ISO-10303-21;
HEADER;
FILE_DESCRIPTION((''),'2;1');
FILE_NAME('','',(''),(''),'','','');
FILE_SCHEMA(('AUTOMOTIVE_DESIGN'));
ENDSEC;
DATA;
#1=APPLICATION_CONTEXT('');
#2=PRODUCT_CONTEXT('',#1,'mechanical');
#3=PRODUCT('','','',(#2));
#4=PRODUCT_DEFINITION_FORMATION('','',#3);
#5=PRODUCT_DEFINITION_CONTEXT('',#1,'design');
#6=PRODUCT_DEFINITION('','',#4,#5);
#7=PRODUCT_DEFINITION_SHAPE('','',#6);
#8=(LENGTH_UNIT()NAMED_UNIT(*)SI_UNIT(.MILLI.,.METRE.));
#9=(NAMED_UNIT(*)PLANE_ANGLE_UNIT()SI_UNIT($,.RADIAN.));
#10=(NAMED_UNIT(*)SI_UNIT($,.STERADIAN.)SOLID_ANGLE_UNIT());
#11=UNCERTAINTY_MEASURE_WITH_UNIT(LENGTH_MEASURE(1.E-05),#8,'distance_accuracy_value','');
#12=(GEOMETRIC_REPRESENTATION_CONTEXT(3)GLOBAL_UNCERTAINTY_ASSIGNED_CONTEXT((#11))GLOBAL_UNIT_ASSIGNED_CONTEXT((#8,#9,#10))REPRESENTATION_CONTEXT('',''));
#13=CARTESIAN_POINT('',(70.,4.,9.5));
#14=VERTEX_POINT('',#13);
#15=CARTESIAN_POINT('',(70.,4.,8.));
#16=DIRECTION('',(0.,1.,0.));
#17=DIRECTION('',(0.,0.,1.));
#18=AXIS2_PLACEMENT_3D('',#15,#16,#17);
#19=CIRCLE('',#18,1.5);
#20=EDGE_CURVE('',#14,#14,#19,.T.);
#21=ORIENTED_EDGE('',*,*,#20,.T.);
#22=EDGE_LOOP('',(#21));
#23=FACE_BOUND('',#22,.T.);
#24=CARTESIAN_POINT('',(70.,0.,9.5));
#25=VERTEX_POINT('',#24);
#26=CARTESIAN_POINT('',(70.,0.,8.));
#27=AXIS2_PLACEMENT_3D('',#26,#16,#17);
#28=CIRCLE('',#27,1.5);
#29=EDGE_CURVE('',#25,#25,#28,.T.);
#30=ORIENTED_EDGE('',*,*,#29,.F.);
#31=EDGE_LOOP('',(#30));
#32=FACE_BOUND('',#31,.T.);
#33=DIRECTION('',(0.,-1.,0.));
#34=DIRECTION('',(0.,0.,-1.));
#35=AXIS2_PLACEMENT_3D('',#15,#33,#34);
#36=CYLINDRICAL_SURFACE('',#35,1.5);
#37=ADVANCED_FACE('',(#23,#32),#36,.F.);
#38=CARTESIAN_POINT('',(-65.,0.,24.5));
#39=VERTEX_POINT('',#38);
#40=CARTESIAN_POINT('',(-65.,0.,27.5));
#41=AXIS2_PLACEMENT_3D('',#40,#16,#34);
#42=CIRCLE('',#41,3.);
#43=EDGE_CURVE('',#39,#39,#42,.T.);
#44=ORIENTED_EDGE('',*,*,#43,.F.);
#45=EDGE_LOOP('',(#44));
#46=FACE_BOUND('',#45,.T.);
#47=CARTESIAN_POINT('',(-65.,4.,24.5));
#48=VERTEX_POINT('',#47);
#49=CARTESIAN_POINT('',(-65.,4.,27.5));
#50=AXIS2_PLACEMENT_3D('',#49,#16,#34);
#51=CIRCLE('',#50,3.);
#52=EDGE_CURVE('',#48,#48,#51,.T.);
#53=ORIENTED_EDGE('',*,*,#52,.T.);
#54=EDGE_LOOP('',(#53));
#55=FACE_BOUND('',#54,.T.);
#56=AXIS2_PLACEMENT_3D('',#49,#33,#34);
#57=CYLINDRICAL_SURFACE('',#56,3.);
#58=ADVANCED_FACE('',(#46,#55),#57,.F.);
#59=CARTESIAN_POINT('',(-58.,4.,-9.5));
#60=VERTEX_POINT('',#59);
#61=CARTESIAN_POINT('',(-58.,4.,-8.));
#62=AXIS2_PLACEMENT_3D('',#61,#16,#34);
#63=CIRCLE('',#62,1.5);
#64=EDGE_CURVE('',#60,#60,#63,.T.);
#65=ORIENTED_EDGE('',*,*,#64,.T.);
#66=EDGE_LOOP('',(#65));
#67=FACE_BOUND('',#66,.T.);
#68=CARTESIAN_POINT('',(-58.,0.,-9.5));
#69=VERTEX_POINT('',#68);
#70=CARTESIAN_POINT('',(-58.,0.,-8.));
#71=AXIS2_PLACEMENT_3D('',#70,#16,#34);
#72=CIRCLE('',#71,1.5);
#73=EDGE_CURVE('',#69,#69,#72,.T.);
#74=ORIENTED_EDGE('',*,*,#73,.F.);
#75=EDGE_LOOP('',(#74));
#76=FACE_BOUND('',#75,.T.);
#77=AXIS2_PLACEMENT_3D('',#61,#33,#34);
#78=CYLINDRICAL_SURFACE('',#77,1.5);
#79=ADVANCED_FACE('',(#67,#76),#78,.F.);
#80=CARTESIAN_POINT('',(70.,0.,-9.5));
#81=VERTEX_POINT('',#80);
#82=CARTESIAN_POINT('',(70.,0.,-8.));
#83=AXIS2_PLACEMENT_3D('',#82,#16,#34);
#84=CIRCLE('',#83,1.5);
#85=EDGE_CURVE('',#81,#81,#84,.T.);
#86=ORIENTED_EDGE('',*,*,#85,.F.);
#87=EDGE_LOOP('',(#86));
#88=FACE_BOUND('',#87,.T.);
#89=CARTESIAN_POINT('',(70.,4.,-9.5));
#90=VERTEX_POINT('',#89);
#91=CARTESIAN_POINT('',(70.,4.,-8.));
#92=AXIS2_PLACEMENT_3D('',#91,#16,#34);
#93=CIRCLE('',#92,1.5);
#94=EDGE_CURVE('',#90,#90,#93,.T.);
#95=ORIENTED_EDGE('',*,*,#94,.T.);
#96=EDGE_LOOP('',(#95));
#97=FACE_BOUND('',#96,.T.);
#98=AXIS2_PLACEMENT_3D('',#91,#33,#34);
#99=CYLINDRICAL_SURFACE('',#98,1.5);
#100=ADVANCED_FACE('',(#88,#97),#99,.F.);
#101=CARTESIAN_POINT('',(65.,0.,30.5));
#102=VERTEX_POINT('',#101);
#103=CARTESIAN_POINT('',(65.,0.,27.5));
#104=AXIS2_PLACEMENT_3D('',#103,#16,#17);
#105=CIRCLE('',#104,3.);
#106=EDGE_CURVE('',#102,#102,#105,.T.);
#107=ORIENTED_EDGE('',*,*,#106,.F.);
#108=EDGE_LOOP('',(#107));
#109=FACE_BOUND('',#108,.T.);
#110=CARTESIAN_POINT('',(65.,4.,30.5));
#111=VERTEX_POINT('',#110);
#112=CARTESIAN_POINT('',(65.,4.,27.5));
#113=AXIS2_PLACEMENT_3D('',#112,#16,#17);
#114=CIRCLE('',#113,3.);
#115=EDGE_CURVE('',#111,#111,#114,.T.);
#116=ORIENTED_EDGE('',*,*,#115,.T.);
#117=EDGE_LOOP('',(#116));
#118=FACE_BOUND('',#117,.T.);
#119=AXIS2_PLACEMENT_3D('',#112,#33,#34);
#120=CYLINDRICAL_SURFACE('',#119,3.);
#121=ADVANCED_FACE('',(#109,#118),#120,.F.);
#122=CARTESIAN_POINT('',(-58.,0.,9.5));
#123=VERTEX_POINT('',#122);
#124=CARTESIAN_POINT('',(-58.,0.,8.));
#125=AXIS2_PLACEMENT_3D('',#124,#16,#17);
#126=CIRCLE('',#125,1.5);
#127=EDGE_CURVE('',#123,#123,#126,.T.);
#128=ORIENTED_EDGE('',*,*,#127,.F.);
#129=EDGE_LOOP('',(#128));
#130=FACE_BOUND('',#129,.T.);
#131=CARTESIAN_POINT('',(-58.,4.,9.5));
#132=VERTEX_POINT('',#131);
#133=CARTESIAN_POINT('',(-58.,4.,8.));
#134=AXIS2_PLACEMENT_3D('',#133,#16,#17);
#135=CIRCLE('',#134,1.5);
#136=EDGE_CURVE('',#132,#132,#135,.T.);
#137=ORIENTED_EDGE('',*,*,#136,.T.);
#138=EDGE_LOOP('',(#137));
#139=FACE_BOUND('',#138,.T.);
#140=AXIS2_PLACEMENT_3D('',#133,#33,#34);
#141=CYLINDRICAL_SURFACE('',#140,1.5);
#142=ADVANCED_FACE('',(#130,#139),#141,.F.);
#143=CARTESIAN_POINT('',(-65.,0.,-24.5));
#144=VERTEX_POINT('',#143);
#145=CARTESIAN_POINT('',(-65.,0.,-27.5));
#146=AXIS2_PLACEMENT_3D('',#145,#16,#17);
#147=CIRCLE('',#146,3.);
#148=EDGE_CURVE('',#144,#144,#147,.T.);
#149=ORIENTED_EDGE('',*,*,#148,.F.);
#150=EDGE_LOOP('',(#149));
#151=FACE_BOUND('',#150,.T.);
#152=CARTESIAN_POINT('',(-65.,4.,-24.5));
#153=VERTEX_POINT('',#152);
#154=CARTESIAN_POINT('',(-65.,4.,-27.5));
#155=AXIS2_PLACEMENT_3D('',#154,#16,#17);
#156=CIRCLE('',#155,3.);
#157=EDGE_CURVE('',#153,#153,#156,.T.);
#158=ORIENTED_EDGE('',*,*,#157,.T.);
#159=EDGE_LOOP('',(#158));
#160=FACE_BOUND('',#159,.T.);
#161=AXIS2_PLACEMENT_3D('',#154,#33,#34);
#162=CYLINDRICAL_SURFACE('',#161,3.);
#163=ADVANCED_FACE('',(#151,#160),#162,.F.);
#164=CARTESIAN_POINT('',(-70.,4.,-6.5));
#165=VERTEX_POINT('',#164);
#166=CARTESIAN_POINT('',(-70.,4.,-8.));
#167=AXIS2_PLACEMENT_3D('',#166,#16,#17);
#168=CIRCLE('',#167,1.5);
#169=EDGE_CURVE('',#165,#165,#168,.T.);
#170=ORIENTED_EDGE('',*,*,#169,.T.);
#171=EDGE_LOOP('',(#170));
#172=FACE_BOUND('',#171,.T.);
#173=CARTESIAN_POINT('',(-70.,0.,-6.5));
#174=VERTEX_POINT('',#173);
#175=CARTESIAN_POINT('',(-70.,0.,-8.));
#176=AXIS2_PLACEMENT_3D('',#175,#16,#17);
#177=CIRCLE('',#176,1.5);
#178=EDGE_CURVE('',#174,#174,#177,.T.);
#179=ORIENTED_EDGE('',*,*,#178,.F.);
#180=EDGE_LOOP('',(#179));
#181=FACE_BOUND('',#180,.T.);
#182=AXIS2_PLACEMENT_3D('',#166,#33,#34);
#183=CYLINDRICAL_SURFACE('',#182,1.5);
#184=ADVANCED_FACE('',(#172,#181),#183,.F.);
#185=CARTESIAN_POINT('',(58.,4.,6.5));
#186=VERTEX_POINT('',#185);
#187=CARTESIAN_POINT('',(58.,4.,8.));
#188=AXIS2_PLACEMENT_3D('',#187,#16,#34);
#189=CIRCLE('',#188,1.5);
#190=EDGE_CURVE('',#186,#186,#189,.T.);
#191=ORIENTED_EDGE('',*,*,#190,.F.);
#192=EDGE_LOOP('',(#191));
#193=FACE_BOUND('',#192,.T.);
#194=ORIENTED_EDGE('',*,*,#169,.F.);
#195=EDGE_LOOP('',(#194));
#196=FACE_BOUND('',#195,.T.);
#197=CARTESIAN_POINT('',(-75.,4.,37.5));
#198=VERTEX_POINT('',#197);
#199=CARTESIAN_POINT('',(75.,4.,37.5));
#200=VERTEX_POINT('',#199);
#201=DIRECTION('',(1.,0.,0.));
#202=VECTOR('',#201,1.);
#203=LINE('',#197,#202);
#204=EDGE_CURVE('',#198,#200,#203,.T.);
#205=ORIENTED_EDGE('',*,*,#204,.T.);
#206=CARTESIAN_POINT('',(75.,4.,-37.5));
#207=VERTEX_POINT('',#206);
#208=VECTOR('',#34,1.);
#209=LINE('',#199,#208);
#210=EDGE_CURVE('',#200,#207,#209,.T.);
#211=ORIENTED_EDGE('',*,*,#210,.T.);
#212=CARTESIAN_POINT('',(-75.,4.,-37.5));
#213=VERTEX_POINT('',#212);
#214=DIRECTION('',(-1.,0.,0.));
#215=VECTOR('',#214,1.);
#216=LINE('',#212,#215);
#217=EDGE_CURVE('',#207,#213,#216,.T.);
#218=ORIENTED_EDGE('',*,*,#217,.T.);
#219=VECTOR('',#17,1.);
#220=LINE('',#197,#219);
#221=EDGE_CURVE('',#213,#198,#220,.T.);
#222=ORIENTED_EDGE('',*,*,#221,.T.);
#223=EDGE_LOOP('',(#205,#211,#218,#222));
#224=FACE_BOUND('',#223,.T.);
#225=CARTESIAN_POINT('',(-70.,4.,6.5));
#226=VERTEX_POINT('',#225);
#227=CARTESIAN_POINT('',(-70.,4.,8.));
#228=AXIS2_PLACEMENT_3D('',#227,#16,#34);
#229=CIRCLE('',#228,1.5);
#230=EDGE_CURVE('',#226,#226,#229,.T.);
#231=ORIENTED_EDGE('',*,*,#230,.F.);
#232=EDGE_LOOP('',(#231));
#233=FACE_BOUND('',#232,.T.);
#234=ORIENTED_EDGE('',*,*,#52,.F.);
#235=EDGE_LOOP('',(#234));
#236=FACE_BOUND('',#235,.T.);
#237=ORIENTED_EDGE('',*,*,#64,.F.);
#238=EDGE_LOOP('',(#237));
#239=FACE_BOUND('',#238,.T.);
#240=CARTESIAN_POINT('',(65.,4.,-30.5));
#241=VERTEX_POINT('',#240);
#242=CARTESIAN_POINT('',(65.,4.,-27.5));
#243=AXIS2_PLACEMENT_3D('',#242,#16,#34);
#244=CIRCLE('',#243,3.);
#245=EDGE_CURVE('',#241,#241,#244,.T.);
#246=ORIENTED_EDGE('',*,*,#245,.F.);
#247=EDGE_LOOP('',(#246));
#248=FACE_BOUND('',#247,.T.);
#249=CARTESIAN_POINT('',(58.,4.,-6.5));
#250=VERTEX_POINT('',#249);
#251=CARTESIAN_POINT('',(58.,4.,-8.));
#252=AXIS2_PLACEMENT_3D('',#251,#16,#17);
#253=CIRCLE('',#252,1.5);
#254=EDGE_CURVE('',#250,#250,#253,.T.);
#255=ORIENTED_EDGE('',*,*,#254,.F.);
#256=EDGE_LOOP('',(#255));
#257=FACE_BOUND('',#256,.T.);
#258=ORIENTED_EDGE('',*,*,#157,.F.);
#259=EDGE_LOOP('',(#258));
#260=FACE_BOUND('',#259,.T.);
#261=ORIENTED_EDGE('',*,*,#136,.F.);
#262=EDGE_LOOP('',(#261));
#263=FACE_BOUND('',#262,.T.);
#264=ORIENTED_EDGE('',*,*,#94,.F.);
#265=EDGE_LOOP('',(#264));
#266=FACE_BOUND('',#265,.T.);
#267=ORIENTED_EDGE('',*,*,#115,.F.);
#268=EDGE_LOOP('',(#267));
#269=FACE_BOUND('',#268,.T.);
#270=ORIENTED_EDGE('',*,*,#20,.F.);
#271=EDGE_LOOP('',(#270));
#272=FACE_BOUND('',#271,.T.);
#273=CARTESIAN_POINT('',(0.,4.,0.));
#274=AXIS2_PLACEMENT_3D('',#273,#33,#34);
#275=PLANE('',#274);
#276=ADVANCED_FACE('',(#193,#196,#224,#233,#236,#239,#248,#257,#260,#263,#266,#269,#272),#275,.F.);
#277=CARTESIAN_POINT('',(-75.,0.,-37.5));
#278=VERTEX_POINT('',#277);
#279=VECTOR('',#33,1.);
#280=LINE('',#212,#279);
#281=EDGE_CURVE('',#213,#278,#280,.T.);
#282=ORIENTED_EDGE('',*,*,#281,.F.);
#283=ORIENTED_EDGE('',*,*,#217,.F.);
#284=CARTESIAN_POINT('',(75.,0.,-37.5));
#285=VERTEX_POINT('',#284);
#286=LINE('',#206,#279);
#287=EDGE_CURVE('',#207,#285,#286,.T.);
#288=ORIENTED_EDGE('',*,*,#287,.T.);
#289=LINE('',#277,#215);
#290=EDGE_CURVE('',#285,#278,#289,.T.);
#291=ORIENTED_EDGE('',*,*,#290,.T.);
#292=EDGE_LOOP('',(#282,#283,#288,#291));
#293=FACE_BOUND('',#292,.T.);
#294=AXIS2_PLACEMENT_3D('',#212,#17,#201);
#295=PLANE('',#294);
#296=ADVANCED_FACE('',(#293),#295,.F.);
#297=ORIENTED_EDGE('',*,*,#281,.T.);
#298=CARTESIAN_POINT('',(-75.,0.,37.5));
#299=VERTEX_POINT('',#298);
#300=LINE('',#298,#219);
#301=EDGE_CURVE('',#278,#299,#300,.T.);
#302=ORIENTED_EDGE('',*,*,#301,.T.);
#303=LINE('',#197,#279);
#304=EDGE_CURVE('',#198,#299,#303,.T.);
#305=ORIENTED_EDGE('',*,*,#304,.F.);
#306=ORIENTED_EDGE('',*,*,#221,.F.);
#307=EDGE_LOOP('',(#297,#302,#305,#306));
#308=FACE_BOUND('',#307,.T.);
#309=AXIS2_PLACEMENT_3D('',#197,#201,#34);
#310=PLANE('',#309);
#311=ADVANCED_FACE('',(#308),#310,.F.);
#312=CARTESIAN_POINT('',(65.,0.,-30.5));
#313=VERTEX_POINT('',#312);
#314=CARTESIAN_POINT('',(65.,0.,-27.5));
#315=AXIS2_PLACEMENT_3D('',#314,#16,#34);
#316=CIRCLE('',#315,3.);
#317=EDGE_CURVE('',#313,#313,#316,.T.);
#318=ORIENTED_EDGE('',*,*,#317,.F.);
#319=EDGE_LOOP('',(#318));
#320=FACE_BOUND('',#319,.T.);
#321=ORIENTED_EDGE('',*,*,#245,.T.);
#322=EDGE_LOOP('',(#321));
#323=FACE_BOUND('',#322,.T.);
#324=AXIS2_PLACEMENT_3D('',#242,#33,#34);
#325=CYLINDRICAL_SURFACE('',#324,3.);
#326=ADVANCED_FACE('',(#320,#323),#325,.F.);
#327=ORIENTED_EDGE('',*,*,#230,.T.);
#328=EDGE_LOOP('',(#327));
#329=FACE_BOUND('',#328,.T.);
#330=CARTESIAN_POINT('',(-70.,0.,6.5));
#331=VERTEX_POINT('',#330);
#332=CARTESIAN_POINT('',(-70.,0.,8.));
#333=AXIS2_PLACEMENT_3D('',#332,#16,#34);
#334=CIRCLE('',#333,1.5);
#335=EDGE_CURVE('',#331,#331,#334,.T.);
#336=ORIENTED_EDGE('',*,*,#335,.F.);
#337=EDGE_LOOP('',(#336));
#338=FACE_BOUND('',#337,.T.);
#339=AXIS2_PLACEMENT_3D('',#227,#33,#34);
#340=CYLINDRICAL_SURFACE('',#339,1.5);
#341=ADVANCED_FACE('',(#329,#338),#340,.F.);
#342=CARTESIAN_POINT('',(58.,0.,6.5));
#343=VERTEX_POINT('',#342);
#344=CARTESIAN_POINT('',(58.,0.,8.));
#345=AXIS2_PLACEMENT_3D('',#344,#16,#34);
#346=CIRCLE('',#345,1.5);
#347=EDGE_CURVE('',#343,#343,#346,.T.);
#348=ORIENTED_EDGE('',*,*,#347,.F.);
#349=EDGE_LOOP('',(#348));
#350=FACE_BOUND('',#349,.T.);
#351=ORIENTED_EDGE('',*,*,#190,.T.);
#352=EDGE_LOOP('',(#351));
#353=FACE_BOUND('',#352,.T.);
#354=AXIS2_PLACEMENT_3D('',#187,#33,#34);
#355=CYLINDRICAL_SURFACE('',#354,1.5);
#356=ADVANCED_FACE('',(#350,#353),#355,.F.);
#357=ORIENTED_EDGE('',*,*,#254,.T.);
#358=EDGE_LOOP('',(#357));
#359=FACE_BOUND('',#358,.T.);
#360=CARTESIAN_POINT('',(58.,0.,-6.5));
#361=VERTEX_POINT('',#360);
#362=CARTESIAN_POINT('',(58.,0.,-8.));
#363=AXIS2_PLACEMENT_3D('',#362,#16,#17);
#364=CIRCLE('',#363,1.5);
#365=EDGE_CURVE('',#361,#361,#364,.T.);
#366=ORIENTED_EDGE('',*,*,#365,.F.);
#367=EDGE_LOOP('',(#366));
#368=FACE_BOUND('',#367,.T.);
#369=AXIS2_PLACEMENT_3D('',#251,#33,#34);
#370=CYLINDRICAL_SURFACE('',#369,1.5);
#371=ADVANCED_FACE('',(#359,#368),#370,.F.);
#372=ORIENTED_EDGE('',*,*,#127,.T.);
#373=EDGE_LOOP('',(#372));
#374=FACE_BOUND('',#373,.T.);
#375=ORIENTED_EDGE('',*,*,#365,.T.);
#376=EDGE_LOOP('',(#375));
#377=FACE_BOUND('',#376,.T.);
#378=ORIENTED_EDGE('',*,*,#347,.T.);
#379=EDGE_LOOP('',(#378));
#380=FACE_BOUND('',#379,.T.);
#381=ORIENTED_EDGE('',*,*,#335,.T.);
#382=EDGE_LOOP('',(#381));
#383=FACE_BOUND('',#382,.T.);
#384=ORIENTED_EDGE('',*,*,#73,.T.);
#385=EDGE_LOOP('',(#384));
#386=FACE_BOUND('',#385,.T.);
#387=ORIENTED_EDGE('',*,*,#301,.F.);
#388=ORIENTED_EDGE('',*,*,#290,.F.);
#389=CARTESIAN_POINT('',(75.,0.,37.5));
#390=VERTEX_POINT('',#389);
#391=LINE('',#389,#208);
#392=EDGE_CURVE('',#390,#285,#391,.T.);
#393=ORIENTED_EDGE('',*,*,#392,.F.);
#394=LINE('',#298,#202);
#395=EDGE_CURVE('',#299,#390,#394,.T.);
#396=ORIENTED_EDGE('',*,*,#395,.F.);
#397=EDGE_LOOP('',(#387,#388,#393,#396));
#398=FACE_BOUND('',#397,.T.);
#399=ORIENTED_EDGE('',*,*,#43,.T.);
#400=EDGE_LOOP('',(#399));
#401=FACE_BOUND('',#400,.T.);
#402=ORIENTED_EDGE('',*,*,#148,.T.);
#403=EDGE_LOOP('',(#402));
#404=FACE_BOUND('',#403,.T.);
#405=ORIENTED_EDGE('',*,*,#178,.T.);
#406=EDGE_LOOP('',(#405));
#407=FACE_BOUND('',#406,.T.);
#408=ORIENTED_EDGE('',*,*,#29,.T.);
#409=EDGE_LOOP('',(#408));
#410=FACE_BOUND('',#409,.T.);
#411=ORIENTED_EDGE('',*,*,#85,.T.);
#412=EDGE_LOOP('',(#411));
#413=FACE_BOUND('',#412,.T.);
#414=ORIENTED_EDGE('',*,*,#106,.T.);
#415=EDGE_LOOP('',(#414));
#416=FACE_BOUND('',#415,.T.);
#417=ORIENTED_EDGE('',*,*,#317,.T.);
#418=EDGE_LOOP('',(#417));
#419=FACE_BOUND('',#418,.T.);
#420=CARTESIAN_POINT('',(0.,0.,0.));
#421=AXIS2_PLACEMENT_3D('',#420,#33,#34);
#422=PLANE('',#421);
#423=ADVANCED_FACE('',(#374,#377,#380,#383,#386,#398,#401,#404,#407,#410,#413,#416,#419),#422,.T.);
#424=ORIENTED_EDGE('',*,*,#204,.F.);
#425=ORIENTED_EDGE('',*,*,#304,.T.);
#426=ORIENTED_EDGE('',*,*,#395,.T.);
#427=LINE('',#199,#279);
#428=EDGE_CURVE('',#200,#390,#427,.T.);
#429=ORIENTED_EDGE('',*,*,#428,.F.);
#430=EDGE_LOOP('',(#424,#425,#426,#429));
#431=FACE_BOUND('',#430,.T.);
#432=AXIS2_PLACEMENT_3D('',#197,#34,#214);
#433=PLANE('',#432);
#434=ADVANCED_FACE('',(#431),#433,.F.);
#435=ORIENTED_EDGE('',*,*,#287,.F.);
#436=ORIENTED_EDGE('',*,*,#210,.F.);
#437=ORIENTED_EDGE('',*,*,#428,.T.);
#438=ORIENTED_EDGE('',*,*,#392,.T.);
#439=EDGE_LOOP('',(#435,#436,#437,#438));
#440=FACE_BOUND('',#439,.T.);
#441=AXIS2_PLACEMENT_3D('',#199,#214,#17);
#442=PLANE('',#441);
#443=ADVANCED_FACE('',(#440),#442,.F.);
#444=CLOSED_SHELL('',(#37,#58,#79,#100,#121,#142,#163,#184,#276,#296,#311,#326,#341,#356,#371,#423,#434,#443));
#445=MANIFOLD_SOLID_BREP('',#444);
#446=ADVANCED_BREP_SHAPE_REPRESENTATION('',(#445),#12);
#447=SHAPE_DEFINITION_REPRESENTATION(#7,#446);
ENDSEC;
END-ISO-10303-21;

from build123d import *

# Parameters (mm, degrees)
SKETCH1_W           = 150
SKETCH1_H           = 75
SKETCH1_R           = 1.5
SKETCH1_R_2         = 3
BOSS_EXTRUDE1_DEPTH = 4


with BuildPart() as part:
    # Sketch1 → Boss-Extrude1 (new body)
    with BuildSketch(Plane(origin=(0, 0, 0), x_dir=(1, 0, 0), z_dir=(0, 1, 0))):
        Rectangle(SKETCH1_W, SKETCH1_H)
        with Locations((-70, 8)):
            Circle(SKETCH1_R, mode=Mode.SUBTRACT)
        with Locations((-70, -8)):
            Circle(SKETCH1_R, mode=Mode.SUBTRACT)
        with Locations((-58, -8)):
            Circle(SKETCH1_R, mode=Mode.SUBTRACT)
        with Locations((-58, 8)):
            Circle(SKETCH1_R, mode=Mode.SUBTRACT)
        with Locations((58, -8)):
            Circle(SKETCH1_R, mode=Mode.SUBTRACT)
        with Locations((70, -8)):
            Circle(SKETCH1_R, mode=Mode.SUBTRACT)
        with Locations((58, 8)):
            Circle(SKETCH1_R, mode=Mode.SUBTRACT)
        with Locations((70, 8)):
            Circle(SKETCH1_R, mode=Mode.SUBTRACT)
        with Locations((-65, 27.5)):
            Circle(SKETCH1_R_2, mode=Mode.SUBTRACT)
        with Locations((65, 27.5)):
            Circle(SKETCH1_R_2, mode=Mode.SUBTRACT)
        with Locations((-65, -27.5)):
            Circle(SKETCH1_R_2, mode=Mode.SUBTRACT)
        with Locations((65, -27.5)):
            Circle(SKETCH1_R_2, mode=Mode.SUBTRACT)
    extrude(amount=BOSS_EXTRUDE1_DEPTH)


solid = part.part
